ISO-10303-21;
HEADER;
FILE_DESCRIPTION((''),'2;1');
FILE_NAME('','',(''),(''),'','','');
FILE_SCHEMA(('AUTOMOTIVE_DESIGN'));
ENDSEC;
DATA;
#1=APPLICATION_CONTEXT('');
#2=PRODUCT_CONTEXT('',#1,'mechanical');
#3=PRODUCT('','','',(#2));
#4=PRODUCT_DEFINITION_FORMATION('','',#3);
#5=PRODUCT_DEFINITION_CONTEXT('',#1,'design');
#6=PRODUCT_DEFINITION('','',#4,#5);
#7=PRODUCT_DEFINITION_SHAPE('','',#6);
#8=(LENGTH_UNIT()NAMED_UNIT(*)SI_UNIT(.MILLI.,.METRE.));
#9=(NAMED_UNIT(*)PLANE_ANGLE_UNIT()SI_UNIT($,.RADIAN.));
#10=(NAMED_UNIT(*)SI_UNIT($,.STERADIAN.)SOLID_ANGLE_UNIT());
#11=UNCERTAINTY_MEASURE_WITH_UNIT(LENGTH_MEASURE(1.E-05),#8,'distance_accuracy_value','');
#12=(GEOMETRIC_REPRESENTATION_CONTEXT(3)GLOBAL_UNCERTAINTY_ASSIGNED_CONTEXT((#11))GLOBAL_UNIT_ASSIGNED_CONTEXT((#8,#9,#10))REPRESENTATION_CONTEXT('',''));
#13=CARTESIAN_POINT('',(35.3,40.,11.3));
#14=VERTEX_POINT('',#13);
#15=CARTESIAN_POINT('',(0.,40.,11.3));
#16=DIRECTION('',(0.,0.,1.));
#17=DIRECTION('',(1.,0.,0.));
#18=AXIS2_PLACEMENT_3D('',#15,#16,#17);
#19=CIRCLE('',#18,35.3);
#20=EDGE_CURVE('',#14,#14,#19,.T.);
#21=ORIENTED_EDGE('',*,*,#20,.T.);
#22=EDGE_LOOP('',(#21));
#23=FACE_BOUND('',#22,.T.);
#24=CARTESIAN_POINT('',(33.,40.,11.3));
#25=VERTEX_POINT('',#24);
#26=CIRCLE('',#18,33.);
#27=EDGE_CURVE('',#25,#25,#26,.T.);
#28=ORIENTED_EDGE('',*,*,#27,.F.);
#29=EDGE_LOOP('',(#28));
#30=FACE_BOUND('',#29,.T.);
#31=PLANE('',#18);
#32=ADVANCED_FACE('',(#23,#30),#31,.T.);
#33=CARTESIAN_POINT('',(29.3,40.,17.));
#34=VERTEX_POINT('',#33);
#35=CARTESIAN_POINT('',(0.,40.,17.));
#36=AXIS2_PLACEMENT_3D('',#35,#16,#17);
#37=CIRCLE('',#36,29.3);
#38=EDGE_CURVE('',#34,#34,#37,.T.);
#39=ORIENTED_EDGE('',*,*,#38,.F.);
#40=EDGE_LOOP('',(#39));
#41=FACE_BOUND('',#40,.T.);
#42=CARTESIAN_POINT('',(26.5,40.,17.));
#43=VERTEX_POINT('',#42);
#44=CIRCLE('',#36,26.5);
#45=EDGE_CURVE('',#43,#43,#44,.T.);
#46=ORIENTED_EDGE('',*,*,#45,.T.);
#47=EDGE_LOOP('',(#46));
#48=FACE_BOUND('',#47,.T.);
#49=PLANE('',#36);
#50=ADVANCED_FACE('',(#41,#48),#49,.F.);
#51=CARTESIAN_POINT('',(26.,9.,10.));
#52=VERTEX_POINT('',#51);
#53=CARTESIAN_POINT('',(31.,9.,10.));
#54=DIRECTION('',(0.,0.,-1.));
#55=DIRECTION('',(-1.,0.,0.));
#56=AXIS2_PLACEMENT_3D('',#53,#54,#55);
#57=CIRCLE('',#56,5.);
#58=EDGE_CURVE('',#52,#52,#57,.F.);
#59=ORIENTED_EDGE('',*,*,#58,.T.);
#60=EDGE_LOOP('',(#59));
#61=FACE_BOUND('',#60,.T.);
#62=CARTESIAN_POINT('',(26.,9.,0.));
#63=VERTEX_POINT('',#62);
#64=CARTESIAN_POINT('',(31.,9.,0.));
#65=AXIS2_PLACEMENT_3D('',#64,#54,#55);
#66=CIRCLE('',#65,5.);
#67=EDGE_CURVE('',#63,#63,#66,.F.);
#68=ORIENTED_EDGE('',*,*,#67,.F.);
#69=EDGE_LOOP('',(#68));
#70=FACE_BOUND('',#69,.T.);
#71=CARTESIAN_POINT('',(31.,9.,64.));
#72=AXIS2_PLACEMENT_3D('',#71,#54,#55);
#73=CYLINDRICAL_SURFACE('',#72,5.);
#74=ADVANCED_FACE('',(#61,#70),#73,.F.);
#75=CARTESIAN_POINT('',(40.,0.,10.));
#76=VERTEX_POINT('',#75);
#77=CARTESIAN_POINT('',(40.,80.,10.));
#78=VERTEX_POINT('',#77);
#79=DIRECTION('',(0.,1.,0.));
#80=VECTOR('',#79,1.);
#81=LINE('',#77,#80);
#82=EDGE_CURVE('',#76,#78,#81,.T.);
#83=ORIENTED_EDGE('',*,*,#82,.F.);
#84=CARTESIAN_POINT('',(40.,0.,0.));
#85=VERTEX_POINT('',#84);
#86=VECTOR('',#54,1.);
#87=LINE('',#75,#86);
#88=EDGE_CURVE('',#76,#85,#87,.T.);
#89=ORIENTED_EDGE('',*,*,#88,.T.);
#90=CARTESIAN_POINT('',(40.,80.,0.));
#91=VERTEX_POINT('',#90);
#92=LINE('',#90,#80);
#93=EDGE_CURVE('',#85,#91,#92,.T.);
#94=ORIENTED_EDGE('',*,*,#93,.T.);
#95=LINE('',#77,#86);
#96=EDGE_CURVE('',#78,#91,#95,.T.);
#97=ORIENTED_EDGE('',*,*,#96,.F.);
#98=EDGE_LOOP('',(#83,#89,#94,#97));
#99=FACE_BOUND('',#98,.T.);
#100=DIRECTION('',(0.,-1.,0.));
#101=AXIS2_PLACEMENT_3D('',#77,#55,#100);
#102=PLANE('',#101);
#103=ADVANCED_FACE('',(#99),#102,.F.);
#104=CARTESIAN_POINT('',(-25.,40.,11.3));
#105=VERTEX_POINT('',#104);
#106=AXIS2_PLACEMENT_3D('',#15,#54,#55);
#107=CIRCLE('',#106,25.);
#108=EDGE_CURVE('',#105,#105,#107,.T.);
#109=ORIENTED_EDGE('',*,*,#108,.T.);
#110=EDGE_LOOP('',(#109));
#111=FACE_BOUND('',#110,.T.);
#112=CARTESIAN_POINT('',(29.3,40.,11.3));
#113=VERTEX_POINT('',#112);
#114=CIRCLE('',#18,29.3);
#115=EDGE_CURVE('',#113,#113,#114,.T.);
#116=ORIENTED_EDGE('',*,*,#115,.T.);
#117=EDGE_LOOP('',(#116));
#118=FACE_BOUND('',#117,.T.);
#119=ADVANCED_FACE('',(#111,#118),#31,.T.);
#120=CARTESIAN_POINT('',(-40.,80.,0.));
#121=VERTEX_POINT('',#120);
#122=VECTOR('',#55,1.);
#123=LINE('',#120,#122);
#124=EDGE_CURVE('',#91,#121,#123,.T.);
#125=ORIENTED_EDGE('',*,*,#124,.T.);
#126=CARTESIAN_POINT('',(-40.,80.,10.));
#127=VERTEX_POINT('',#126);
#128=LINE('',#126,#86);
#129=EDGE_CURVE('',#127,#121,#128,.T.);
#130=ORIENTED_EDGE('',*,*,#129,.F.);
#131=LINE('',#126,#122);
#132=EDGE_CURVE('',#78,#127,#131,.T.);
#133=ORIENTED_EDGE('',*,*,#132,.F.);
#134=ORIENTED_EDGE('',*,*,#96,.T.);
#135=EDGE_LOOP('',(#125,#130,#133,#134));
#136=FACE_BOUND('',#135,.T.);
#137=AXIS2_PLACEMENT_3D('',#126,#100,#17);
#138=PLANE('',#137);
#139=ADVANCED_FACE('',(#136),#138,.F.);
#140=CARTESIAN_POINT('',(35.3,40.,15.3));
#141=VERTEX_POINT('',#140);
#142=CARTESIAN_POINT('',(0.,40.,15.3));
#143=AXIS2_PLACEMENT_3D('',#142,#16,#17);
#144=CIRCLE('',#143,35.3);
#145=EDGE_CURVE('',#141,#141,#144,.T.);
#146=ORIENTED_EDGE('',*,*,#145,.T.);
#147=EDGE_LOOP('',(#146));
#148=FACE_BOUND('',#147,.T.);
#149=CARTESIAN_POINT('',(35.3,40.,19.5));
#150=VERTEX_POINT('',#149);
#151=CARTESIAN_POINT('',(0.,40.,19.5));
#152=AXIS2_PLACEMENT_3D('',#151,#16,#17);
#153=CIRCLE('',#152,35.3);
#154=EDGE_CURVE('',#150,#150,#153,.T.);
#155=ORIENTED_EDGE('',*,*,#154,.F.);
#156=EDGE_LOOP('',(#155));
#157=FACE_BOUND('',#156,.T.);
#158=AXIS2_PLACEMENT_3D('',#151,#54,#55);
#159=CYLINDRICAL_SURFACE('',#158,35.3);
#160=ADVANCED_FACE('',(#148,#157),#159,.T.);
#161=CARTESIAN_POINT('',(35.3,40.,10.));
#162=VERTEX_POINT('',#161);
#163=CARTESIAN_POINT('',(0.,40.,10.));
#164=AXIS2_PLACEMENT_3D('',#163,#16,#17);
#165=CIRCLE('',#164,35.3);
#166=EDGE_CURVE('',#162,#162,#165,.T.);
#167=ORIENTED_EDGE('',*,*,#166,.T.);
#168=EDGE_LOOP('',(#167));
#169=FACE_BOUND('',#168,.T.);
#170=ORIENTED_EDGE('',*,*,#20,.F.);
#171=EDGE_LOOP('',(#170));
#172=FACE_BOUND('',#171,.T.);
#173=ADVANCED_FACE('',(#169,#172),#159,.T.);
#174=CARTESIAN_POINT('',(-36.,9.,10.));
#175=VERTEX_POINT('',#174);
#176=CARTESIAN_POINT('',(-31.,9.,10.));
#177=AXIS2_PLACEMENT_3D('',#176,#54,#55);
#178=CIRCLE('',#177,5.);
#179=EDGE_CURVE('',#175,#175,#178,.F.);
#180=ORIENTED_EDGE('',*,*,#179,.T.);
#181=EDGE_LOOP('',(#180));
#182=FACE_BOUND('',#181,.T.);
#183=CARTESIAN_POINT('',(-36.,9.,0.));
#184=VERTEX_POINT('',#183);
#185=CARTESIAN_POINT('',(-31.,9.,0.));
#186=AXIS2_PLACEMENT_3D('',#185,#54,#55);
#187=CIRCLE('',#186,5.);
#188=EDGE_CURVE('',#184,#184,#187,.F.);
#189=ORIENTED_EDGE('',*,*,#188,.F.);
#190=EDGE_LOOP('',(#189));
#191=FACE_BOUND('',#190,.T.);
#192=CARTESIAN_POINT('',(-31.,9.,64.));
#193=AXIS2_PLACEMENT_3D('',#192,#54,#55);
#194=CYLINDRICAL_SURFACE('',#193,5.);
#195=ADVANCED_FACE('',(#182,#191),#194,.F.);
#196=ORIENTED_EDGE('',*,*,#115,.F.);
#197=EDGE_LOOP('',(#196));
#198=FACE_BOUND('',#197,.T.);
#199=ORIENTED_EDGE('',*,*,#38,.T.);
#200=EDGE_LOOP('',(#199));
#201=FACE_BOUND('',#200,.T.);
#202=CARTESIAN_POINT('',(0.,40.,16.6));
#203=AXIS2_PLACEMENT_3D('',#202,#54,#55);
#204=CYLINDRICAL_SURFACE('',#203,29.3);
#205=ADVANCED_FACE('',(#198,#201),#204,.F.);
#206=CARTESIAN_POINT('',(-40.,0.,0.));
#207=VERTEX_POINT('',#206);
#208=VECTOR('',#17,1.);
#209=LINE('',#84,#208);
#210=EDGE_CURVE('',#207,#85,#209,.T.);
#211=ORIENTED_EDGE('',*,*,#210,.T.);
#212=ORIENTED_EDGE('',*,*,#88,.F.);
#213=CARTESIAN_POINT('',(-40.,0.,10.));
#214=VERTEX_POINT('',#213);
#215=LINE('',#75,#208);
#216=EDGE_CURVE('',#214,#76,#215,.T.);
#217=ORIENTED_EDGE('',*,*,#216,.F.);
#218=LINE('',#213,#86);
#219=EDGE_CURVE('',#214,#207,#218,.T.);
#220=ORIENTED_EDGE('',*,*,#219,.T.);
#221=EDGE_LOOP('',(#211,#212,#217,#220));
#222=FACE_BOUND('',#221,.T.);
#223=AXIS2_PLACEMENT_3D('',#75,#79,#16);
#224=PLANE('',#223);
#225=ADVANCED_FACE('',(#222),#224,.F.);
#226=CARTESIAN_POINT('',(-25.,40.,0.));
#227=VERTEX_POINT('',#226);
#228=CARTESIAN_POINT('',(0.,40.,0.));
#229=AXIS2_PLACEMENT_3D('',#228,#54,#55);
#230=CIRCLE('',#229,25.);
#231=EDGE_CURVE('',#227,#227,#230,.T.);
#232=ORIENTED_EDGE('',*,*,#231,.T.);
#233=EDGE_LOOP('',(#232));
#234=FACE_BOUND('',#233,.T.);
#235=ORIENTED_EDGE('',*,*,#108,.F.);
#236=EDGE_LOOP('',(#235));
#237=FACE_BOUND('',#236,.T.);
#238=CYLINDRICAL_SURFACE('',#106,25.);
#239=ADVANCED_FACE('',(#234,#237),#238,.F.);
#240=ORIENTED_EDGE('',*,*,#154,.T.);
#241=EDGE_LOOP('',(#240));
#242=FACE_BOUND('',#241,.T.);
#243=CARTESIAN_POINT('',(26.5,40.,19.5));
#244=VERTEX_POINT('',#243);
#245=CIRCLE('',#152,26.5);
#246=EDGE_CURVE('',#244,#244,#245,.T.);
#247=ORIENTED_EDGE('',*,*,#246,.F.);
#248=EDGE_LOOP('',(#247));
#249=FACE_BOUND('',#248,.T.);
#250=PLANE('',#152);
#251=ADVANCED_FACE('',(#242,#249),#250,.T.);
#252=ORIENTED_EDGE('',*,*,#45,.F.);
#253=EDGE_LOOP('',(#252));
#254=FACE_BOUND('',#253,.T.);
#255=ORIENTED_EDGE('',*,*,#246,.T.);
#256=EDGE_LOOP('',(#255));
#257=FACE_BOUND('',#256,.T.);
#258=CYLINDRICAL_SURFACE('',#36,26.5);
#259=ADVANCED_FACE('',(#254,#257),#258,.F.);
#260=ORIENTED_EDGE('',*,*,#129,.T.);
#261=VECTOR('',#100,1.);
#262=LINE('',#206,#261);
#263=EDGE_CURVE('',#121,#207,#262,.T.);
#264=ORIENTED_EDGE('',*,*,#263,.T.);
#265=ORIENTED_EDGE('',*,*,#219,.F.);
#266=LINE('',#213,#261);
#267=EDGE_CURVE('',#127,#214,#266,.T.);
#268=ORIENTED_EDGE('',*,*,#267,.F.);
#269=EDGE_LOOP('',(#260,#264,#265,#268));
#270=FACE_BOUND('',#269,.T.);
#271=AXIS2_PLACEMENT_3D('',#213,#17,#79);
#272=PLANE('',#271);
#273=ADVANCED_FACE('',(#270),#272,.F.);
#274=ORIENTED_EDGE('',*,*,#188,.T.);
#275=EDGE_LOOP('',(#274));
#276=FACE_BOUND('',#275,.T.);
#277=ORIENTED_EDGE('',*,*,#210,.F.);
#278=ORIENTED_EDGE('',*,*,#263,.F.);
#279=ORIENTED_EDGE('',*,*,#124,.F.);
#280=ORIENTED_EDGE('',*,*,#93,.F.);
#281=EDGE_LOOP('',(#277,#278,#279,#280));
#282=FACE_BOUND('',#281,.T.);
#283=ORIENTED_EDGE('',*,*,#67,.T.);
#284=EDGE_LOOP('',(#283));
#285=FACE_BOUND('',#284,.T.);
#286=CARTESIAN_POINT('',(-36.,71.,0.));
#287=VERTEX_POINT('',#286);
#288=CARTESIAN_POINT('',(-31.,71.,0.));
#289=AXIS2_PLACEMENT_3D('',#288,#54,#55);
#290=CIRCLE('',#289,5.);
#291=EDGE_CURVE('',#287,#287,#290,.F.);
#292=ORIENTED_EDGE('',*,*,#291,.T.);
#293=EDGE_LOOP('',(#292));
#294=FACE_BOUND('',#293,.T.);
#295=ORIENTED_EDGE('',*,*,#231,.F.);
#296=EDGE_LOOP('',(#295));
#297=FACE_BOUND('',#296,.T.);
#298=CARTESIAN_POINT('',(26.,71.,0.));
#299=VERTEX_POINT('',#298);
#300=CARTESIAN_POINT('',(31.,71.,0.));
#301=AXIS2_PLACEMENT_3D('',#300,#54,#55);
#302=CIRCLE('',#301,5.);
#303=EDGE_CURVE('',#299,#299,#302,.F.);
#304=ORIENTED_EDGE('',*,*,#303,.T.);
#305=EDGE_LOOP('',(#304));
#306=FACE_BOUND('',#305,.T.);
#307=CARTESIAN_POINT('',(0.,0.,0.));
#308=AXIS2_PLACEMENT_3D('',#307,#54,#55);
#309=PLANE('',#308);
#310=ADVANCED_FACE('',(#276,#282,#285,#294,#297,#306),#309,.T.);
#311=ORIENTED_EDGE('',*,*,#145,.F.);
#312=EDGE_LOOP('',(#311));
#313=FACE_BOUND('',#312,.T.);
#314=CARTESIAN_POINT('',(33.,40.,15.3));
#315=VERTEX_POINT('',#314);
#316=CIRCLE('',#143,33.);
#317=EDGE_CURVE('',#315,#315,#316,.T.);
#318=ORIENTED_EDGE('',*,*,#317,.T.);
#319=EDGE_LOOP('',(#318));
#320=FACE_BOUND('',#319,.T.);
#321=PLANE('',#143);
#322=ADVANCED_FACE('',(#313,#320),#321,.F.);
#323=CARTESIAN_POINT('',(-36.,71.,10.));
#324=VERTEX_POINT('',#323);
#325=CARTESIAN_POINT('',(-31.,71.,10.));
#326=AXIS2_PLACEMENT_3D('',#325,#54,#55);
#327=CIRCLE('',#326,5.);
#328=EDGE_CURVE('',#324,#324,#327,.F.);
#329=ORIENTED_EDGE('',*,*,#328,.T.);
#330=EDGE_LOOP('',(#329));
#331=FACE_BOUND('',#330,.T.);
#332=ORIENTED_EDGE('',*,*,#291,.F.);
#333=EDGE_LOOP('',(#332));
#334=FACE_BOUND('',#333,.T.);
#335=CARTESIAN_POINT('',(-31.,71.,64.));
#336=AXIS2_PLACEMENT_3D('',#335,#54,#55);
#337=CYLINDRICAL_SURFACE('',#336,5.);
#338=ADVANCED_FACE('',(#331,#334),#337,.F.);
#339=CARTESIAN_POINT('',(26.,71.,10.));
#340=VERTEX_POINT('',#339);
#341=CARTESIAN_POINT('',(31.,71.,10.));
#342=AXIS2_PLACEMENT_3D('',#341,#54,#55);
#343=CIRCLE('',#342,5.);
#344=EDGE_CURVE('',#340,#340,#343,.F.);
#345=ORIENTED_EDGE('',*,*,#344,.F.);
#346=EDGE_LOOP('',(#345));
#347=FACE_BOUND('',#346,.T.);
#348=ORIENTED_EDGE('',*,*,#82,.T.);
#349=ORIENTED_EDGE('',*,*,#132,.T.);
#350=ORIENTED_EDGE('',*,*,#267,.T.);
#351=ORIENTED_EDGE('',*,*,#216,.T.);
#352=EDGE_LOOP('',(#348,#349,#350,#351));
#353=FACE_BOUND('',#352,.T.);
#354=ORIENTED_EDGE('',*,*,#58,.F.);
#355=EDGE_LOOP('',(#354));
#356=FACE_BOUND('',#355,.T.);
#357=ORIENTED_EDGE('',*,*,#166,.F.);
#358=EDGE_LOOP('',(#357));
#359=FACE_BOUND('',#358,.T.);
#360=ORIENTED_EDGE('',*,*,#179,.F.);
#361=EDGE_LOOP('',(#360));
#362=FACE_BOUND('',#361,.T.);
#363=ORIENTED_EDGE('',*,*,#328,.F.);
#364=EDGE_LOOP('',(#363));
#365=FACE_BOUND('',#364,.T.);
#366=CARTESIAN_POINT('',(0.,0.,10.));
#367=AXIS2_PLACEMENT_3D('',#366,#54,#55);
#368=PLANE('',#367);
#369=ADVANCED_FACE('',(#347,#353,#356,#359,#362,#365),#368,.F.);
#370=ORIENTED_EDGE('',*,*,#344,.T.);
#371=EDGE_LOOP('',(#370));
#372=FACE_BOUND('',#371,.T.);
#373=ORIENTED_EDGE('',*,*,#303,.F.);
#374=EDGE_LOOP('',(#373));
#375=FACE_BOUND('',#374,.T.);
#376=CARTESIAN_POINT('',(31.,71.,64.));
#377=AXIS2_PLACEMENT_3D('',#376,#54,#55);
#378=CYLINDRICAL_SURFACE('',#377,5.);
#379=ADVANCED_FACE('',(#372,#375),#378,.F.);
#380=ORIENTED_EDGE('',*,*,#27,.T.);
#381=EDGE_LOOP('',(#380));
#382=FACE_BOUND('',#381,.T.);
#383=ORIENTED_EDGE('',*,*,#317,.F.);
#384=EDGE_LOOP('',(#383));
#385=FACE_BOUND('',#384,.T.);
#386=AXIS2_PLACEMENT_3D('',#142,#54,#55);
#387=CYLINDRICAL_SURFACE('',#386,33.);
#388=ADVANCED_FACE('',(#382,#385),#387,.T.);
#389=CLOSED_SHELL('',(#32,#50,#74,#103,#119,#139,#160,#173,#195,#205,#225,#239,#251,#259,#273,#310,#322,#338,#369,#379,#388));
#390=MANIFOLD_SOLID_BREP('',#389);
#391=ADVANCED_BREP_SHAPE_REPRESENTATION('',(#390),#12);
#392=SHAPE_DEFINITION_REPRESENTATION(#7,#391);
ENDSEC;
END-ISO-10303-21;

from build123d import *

# Parameters (mm, degrees)
SKETCH2_W                = 80
SKETCH2_H                = 80
BOSS_EXTRUDE1_DEPTH      = 10
SKETCH3_R                = 35.3
BOSS_EXTRUDE2_DEPTH      = 9.5
SKETCH5_R                = 29.3
CUT_EXTRUDE1_DEPTH       = 5.3
SKETCH6_R                = 37.5
SKETCH6_R_2              = 33
CUT_EXTRUDE4_DEPTH       = 4
SKETCH8_R                = 26.5
CUT_EXTRUDE10_DEPTH      = 2.5
SKETCH9_R                = 29.3
CUT_EXTRUDE11_DEPTH      = 5.3
SKETCH10_R               = 25
CUT_EXTRUDE12_DEPTH      = 11.3
SKETCH11_R               = 5
CUT_EXTRUDE13_DEPTH      = 64
CUT_EXTRUDE13_DEPTH_BACK = 36.3


with BuildPart() as part:
    # Sketch2 → Boss-Extrude1 (new body)
    with BuildSketch(Plane.XY):
        with Locations((0, 40)):
            Rectangle(SKETCH2_W, SKETCH2_H)
    extrude(amount=BOSS_EXTRUDE1_DEPTH)

    # Sketch3 → Boss-Extrude2 (add)
    with BuildSketch(Plane.XY.offset(10)):
        with Locations((0, 40)):
            Circle(SKETCH3_R)
    extrude(amount=BOSS_EXTRUDE2_DEPTH)

    # Sketch5 → Cut-Extrude1 (cut)
    with BuildSketch(Plane.XY.offset(11.3)):
        with Locations((0, 40)):
            Circle(SKETCH5_R)
    extrude(amount=CUT_EXTRUDE1_DEPTH, mode=Mode.SUBTRACT)

    # Sketch6 → Cut-Extrude4 (cut)
    with BuildSketch(Plane.XY.offset(11.3)):
        with Locations((0, 40)):
            Circle(SKETCH6_R)
        with Locations((0, 40)):
            Circle(SKETCH6_R_2, mode=Mode.SUBTRACT)
    extrude(amount=CUT_EXTRUDE4_DEPTH, mode=Mode.SUBTRACT)

    # Sketch8 → Cut-Extrude10 (cut)
    with BuildSketch(Plane.XY.offset(19.5)):
        with Locations((0, 40)):
            Circle(SKETCH8_R)
    extrude(amount=-CUT_EXTRUDE10_DEPTH, mode=Mode.SUBTRACT)

    # Sketch9 → Cut-Extrude11 (cut)
    with BuildSketch(Plane.XY.offset(17)):
        with Locations((0, 40)):
            Circle(SKETCH9_R)
    extrude(amount=-CUT_EXTRUDE11_DEPTH, mode=Mode.SUBTRACT)

    # Sketch10 → Cut-Extrude12 (cut)
    with BuildSketch(Plane(origin=(0, 0, 0), x_dir=(-1, 0, 0), z_dir=(0, 0, -1))):
        with Locations((0, 40)):
            Circle(SKETCH10_R)
    extrude(amount=-CUT_EXTRUDE12_DEPTH, mode=Mode.SUBTRACT)

    # Sketch11 → Cut-Extrude13 (cut, two sides)
    with BuildSketch(Plane.XY) as cut_extrude13_sk:
        with Locations((-31, 71)):
            Circle(SKETCH11_R)
        with Locations((31, 71)):
            Circle(SKETCH11_R)
        with Locations((31, 9)):
            Circle(SKETCH11_R)
        with Locations((-31, 9)):
            Circle(SKETCH11_R)
    extrude(amount=CUT_EXTRUDE13_DEPTH, mode=Mode.SUBTRACT)
    extrude(cut_extrude13_sk.sketch, amount=-CUT_EXTRUDE13_DEPTH_BACK, mode=Mode.SUBTRACT)


solid = part.part
